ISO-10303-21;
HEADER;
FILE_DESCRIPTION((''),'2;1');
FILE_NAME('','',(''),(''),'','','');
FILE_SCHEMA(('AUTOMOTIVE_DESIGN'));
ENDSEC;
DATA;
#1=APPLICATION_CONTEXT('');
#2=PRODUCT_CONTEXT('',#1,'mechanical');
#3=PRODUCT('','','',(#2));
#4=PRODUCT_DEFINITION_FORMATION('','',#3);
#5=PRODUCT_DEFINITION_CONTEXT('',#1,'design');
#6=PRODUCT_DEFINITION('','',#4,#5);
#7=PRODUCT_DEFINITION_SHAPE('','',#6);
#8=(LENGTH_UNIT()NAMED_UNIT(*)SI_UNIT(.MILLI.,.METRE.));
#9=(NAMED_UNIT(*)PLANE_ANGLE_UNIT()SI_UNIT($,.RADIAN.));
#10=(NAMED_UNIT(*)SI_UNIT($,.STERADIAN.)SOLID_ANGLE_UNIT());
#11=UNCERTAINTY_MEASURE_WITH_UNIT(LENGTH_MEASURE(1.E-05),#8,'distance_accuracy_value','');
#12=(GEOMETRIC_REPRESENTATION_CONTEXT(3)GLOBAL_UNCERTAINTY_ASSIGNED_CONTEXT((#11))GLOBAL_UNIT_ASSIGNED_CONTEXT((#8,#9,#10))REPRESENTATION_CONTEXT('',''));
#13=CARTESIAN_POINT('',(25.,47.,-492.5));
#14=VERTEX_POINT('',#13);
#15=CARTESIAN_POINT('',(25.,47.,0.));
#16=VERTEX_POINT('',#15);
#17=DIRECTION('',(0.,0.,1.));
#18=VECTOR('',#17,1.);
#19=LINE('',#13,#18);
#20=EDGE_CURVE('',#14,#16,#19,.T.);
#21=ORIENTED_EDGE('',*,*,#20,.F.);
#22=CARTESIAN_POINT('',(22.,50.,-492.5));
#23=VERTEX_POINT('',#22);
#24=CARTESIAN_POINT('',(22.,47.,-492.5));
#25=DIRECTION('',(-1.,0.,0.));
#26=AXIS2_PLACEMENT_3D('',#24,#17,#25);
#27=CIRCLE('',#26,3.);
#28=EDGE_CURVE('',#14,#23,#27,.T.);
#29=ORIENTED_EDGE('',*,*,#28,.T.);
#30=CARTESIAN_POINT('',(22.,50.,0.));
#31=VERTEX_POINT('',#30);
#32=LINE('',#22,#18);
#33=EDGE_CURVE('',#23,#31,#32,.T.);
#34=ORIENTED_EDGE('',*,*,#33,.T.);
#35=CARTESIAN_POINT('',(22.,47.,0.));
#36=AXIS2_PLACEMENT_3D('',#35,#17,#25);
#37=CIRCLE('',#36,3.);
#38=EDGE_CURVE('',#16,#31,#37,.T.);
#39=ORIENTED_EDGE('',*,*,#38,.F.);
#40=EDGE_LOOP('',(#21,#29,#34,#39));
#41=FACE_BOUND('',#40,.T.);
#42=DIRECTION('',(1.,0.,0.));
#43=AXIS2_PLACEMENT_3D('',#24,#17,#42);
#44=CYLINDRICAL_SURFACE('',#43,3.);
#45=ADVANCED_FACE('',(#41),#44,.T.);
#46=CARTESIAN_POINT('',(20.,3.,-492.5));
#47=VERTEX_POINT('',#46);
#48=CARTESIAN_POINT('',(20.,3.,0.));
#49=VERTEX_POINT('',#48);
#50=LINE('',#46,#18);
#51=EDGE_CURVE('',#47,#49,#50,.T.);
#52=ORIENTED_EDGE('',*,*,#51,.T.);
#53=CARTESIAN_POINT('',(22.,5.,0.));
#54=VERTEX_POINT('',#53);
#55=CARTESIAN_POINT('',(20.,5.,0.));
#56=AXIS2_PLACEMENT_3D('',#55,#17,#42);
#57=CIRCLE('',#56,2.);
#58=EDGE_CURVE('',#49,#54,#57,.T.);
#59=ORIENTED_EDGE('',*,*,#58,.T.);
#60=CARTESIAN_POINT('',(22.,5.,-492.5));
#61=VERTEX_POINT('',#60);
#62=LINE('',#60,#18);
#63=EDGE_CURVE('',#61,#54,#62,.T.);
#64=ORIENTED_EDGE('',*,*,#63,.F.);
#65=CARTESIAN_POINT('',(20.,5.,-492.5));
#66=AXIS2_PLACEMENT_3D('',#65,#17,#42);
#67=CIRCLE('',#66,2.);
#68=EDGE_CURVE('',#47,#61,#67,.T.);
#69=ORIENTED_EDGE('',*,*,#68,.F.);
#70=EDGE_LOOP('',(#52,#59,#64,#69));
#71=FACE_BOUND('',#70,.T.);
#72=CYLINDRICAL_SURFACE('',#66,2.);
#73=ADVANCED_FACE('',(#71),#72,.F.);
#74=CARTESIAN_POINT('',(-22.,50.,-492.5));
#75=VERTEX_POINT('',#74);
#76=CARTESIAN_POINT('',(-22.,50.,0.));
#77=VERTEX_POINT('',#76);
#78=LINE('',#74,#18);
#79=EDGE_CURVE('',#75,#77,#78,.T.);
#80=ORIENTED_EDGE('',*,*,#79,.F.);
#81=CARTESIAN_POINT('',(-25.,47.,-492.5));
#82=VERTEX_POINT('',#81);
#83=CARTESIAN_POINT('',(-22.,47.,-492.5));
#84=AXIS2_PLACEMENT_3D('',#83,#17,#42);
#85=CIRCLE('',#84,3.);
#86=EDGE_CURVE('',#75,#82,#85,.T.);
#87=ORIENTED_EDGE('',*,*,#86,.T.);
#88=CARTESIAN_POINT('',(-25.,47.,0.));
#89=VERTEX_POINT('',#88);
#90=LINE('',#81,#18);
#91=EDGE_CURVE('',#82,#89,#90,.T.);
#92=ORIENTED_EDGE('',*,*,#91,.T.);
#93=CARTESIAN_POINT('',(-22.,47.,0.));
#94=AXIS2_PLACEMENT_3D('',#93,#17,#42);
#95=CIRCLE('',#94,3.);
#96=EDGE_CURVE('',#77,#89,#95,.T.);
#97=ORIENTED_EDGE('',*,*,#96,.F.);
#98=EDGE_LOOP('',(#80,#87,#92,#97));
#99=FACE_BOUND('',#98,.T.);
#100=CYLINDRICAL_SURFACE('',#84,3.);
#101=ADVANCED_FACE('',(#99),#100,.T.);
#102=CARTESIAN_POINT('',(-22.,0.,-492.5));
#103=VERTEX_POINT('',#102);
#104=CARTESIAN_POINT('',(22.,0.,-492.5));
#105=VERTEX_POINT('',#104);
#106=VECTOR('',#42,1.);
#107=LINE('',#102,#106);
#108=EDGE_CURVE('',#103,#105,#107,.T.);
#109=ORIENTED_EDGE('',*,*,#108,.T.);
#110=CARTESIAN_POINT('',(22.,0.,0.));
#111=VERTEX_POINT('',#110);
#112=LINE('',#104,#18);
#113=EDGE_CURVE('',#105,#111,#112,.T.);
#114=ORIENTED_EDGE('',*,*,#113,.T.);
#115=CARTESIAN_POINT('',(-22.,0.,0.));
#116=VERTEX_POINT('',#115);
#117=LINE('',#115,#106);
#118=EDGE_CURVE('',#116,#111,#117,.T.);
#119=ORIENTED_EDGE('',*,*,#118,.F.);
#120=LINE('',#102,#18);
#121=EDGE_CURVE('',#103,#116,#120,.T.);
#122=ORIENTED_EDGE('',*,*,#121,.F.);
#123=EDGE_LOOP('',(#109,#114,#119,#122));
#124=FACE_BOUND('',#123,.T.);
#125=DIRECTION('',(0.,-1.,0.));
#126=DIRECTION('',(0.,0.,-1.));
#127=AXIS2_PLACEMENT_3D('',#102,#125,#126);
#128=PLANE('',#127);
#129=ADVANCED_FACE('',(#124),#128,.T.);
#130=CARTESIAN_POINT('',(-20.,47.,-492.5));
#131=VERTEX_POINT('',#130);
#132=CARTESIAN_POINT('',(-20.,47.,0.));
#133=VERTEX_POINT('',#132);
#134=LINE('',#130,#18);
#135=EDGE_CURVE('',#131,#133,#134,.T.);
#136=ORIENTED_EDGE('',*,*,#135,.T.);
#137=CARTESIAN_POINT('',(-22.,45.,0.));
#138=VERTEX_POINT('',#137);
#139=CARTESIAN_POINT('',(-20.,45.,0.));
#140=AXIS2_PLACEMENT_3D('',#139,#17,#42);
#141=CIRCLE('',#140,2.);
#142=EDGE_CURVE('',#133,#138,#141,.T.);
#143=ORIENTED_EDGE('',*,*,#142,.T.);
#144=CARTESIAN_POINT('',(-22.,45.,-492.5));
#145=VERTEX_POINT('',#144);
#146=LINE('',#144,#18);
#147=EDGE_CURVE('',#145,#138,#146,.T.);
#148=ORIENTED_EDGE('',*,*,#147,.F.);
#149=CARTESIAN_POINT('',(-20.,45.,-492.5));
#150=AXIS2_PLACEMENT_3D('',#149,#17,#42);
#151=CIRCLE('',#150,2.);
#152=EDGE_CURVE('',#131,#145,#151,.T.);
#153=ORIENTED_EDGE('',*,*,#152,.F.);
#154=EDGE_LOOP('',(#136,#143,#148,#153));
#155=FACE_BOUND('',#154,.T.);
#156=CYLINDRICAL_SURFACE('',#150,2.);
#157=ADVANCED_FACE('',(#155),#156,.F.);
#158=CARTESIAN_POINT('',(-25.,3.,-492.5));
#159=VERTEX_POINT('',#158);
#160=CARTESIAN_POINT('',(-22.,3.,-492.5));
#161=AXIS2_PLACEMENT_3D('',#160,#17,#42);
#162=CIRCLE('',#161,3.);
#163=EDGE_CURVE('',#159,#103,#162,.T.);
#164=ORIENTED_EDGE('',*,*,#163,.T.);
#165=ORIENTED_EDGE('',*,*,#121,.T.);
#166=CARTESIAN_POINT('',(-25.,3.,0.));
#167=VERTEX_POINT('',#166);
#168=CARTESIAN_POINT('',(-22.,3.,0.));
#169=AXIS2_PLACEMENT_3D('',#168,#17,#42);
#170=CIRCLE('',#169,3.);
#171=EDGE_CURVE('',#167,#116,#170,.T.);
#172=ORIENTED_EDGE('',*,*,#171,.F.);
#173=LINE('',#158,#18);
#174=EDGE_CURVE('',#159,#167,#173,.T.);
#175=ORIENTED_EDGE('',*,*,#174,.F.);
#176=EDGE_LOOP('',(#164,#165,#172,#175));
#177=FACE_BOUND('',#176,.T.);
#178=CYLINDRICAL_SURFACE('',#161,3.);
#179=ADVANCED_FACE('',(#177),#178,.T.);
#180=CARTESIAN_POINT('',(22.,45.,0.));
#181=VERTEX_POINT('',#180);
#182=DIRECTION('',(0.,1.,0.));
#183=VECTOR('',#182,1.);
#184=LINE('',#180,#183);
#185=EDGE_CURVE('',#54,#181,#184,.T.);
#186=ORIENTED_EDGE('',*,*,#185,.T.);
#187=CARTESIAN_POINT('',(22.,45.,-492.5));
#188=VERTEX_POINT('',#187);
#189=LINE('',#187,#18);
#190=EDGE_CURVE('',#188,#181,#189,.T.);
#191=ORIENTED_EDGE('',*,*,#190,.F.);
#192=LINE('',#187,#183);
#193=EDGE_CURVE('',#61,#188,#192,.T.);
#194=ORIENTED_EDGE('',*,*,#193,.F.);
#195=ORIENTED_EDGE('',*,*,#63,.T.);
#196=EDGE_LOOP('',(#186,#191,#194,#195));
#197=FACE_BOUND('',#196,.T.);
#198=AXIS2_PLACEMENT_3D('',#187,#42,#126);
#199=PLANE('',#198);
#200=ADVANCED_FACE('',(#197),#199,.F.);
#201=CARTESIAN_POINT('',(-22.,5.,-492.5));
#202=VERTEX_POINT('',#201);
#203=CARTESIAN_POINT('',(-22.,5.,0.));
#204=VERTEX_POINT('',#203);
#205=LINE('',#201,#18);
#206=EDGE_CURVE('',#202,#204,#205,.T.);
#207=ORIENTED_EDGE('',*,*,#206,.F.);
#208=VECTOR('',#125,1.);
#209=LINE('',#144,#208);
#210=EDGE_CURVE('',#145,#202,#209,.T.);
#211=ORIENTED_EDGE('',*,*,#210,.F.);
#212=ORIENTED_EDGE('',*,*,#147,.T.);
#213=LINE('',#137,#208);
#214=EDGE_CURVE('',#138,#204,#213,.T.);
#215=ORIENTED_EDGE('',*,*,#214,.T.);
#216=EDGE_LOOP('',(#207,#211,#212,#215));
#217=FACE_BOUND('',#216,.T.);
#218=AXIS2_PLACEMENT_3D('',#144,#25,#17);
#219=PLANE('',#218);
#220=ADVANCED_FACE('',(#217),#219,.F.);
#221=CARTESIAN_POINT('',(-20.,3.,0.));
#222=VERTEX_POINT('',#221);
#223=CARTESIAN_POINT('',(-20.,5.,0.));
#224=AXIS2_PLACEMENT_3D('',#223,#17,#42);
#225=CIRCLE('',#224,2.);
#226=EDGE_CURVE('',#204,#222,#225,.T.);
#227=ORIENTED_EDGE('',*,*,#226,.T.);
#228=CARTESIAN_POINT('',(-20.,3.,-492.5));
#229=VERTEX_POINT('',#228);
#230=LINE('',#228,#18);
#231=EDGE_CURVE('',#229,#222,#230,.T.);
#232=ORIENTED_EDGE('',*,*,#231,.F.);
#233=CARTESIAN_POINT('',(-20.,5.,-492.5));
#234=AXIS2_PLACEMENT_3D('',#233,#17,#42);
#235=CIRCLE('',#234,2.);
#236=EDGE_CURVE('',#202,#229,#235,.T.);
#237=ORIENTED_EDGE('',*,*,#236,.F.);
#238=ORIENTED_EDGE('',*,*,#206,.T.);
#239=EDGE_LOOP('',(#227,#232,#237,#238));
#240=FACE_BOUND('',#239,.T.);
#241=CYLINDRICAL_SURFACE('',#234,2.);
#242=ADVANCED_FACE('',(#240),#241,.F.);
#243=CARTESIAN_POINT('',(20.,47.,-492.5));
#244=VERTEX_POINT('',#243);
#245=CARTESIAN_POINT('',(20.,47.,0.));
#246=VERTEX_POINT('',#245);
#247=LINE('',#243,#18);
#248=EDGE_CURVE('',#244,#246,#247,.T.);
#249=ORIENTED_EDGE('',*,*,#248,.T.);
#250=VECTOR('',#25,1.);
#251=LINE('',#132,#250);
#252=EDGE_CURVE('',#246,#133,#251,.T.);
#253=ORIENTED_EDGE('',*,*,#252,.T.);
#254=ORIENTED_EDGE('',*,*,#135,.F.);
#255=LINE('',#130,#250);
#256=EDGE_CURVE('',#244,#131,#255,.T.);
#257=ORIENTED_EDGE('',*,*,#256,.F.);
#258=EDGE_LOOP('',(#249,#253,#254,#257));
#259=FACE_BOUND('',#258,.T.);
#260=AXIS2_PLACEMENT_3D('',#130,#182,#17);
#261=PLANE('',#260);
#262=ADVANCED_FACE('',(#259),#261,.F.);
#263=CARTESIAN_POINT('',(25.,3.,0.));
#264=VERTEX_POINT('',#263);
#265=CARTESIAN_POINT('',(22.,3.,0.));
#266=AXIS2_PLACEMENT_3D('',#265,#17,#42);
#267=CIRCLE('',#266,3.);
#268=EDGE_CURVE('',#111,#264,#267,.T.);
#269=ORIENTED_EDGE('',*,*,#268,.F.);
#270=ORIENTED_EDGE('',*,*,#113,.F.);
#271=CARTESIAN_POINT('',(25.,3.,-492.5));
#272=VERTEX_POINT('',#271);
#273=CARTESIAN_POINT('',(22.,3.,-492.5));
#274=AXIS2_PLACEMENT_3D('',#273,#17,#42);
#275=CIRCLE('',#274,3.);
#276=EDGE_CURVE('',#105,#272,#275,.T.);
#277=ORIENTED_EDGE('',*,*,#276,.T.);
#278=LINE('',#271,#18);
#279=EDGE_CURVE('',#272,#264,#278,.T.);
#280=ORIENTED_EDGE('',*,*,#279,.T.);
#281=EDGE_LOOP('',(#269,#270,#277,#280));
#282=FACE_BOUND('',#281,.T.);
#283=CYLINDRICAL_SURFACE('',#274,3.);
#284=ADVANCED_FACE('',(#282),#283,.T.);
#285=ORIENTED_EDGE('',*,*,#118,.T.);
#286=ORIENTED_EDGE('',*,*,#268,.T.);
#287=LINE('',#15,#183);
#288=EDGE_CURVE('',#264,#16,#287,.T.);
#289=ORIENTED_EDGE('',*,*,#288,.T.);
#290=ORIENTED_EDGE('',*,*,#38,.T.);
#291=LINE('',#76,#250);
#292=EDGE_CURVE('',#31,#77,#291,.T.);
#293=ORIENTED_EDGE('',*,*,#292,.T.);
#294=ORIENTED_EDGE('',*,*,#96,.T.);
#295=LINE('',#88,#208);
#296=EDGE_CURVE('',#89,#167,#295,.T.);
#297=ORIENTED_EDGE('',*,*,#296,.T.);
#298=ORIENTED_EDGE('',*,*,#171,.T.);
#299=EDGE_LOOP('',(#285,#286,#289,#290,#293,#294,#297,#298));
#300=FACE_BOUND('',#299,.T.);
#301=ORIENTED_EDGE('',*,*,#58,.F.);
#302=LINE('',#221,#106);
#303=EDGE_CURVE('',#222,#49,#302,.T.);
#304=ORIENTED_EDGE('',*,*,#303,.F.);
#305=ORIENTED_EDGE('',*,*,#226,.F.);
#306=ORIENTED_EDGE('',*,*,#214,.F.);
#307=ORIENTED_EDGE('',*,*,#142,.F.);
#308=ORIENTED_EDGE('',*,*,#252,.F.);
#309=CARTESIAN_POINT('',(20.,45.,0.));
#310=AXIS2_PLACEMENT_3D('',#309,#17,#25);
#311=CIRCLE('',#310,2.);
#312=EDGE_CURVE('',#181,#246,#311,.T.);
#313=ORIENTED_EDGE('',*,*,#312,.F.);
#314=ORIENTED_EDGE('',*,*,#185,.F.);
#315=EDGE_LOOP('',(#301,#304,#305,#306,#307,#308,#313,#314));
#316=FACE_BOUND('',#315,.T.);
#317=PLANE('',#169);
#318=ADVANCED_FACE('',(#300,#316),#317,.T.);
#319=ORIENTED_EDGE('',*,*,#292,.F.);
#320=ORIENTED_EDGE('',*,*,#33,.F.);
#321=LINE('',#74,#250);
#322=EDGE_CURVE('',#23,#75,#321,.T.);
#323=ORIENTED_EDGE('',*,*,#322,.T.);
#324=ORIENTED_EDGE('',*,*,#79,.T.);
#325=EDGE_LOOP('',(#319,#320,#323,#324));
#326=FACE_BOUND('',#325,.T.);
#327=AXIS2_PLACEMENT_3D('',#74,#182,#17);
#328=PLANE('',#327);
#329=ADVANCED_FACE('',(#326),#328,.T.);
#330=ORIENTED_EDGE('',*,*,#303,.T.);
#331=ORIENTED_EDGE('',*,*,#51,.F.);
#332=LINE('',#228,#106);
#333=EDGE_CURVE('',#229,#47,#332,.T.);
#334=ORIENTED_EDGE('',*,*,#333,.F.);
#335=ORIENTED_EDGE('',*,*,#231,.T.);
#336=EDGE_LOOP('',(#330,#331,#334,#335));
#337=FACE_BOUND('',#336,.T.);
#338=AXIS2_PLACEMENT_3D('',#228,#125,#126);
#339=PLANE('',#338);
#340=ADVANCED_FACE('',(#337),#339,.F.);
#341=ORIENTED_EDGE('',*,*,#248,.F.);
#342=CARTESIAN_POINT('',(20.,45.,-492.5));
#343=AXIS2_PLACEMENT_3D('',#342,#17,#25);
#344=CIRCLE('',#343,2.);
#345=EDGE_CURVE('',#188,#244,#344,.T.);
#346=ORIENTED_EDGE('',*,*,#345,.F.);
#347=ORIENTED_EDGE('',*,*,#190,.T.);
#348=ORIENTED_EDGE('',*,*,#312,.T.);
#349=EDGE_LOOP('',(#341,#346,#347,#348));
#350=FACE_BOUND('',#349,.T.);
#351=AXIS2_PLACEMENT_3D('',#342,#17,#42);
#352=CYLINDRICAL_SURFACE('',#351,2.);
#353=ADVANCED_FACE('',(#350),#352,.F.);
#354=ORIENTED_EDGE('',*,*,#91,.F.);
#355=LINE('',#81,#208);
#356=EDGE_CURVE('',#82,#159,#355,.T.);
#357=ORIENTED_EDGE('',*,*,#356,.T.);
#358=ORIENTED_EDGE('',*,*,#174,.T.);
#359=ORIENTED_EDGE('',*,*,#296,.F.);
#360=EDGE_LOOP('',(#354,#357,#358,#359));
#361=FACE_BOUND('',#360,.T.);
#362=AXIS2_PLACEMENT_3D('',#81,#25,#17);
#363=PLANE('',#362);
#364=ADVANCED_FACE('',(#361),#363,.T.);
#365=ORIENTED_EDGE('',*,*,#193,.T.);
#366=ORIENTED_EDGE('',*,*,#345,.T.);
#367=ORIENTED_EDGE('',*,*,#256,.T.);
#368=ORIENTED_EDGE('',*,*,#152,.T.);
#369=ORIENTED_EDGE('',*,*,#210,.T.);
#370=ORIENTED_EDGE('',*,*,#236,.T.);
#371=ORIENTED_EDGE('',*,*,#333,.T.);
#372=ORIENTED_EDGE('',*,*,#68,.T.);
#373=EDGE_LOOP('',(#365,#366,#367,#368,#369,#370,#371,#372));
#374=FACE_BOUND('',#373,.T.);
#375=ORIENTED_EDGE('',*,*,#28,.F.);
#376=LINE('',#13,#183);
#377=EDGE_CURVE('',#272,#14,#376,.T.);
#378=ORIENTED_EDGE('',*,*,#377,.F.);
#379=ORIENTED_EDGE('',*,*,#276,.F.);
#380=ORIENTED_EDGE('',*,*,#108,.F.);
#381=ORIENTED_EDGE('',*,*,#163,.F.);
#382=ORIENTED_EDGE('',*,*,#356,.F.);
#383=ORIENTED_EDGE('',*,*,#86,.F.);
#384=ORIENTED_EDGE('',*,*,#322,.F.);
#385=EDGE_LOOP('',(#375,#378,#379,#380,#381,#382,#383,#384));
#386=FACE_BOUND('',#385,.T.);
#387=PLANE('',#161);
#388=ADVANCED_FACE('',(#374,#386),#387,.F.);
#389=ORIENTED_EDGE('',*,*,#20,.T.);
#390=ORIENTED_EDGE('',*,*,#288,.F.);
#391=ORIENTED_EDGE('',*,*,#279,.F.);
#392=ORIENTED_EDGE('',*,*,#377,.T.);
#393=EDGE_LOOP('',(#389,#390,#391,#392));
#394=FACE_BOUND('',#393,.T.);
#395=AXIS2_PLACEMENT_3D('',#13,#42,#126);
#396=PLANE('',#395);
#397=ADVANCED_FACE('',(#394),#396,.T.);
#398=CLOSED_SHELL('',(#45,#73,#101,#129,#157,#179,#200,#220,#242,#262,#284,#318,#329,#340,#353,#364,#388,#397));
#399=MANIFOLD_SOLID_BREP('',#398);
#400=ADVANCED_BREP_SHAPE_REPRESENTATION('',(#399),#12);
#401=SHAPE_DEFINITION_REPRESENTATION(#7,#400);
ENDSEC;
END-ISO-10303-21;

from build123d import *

# Parameters (mm, degrees)
EXTRUDE_START   = -492.5
EXTRUDE_1_DEPTH = 492.5


with BuildPart() as part:
    # Эскиз1 → Бобышка-Вытянуть1 (new body)
    with BuildSketch(Plane.XY.offset(EXTRUDE_START)):
        with BuildLine():
            Line((-22, 50), (22, 50))
            ThreePointArc((22, 50), (24.121320344, 49.121320344), (25, 47))
            Line((25, 47), (25, 3))
            ThreePointArc((25, 3), (24.121320344, 0.878679656), (22, 0))
            Line((22, 0), (-22, 0))
            ThreePointArc((-22, 0), (-24.121320344, 0.878679656), (-25, 3))
            Line((-25, 3), (-25, 47))
            ThreePointArc((-25, 47), (-24.121320344, 49.121320344), (-22, 50))
        make_face()
        with BuildLine():
            Line((-20, 47), (20, 47))
            ThreePointArc((20, 47), (21.414213562, 46.414213562), (22, 45))
            Line((22, 45), (22, 5))
            ThreePointArc((22, 5), (21.414213562, 3.585786438), (20, 3))
            Line((20, 3), (-20, 3))
            ThreePointArc((-20, 3), (-21.414213562, 3.585786438), (-22, 5))
            Line((-22, 5), (-22, 45))
            ThreePointArc((-22, 45), (-21.414213562, 46.414213562), (-20, 47))
        make_face(mode=Mode.SUBTRACT)
    extrude(amount=EXTRUDE_1_DEPTH)


solid = part.part
